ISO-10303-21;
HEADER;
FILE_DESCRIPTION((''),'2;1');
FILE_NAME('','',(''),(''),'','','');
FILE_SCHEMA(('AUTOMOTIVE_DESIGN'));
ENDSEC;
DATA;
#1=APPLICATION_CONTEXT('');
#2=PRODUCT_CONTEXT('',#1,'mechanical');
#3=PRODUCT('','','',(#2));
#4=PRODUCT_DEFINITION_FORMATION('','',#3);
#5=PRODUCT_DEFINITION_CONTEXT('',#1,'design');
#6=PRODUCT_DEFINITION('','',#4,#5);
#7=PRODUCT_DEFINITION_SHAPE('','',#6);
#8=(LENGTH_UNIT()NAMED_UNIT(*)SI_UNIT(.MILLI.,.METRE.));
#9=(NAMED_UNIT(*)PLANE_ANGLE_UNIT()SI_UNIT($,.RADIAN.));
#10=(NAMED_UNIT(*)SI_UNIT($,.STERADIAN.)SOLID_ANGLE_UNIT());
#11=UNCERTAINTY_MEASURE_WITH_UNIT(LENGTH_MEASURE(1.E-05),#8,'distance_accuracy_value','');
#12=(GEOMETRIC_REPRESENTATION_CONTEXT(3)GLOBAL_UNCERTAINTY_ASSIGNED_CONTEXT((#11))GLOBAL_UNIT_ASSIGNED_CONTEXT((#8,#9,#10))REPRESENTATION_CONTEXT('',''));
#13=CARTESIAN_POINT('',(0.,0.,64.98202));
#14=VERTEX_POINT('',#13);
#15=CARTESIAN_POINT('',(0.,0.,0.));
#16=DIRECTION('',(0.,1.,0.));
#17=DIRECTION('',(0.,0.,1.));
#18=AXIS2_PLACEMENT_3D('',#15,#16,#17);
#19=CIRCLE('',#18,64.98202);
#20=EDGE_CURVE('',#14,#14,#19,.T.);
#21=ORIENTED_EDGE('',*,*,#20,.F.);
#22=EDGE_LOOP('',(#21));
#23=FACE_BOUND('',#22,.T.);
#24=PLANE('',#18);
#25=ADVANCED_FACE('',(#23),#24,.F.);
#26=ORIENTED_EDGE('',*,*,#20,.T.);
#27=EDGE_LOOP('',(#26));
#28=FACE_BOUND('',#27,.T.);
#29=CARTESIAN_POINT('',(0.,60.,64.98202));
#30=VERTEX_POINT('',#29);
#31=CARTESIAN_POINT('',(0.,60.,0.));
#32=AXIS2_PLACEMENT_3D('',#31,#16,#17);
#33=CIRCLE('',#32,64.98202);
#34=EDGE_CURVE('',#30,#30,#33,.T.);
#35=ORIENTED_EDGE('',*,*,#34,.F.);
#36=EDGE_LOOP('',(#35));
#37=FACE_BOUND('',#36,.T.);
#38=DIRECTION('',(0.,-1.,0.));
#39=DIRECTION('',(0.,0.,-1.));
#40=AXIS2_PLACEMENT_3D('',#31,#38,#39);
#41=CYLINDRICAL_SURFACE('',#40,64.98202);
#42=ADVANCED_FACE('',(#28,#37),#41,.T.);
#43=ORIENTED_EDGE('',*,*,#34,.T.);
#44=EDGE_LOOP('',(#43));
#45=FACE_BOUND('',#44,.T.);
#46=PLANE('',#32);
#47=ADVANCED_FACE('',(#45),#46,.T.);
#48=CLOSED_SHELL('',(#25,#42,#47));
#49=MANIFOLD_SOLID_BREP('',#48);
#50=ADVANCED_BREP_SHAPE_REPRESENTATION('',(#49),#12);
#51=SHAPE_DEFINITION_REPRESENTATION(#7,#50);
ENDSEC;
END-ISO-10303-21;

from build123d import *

# Parameters (mm, degrees)
SKETCH_1_R      = 64.982019502
EXTRUDE_3_DEPTH = 60


with BuildPart() as part:
    # 草圖1 → 填料-伸長3 (new body)
    with BuildSketch(Plane(origin=(0, 0, 0), x_dir=(1, 0, 0), z_dir=(0, 1, 0))):
        with Locations(Location((0, 0, 0), (0, 0, 270))):
            Circle(SKETCH_1_R)
    extrude(amount=EXTRUDE_3_DEPTH)


solid = part.part
